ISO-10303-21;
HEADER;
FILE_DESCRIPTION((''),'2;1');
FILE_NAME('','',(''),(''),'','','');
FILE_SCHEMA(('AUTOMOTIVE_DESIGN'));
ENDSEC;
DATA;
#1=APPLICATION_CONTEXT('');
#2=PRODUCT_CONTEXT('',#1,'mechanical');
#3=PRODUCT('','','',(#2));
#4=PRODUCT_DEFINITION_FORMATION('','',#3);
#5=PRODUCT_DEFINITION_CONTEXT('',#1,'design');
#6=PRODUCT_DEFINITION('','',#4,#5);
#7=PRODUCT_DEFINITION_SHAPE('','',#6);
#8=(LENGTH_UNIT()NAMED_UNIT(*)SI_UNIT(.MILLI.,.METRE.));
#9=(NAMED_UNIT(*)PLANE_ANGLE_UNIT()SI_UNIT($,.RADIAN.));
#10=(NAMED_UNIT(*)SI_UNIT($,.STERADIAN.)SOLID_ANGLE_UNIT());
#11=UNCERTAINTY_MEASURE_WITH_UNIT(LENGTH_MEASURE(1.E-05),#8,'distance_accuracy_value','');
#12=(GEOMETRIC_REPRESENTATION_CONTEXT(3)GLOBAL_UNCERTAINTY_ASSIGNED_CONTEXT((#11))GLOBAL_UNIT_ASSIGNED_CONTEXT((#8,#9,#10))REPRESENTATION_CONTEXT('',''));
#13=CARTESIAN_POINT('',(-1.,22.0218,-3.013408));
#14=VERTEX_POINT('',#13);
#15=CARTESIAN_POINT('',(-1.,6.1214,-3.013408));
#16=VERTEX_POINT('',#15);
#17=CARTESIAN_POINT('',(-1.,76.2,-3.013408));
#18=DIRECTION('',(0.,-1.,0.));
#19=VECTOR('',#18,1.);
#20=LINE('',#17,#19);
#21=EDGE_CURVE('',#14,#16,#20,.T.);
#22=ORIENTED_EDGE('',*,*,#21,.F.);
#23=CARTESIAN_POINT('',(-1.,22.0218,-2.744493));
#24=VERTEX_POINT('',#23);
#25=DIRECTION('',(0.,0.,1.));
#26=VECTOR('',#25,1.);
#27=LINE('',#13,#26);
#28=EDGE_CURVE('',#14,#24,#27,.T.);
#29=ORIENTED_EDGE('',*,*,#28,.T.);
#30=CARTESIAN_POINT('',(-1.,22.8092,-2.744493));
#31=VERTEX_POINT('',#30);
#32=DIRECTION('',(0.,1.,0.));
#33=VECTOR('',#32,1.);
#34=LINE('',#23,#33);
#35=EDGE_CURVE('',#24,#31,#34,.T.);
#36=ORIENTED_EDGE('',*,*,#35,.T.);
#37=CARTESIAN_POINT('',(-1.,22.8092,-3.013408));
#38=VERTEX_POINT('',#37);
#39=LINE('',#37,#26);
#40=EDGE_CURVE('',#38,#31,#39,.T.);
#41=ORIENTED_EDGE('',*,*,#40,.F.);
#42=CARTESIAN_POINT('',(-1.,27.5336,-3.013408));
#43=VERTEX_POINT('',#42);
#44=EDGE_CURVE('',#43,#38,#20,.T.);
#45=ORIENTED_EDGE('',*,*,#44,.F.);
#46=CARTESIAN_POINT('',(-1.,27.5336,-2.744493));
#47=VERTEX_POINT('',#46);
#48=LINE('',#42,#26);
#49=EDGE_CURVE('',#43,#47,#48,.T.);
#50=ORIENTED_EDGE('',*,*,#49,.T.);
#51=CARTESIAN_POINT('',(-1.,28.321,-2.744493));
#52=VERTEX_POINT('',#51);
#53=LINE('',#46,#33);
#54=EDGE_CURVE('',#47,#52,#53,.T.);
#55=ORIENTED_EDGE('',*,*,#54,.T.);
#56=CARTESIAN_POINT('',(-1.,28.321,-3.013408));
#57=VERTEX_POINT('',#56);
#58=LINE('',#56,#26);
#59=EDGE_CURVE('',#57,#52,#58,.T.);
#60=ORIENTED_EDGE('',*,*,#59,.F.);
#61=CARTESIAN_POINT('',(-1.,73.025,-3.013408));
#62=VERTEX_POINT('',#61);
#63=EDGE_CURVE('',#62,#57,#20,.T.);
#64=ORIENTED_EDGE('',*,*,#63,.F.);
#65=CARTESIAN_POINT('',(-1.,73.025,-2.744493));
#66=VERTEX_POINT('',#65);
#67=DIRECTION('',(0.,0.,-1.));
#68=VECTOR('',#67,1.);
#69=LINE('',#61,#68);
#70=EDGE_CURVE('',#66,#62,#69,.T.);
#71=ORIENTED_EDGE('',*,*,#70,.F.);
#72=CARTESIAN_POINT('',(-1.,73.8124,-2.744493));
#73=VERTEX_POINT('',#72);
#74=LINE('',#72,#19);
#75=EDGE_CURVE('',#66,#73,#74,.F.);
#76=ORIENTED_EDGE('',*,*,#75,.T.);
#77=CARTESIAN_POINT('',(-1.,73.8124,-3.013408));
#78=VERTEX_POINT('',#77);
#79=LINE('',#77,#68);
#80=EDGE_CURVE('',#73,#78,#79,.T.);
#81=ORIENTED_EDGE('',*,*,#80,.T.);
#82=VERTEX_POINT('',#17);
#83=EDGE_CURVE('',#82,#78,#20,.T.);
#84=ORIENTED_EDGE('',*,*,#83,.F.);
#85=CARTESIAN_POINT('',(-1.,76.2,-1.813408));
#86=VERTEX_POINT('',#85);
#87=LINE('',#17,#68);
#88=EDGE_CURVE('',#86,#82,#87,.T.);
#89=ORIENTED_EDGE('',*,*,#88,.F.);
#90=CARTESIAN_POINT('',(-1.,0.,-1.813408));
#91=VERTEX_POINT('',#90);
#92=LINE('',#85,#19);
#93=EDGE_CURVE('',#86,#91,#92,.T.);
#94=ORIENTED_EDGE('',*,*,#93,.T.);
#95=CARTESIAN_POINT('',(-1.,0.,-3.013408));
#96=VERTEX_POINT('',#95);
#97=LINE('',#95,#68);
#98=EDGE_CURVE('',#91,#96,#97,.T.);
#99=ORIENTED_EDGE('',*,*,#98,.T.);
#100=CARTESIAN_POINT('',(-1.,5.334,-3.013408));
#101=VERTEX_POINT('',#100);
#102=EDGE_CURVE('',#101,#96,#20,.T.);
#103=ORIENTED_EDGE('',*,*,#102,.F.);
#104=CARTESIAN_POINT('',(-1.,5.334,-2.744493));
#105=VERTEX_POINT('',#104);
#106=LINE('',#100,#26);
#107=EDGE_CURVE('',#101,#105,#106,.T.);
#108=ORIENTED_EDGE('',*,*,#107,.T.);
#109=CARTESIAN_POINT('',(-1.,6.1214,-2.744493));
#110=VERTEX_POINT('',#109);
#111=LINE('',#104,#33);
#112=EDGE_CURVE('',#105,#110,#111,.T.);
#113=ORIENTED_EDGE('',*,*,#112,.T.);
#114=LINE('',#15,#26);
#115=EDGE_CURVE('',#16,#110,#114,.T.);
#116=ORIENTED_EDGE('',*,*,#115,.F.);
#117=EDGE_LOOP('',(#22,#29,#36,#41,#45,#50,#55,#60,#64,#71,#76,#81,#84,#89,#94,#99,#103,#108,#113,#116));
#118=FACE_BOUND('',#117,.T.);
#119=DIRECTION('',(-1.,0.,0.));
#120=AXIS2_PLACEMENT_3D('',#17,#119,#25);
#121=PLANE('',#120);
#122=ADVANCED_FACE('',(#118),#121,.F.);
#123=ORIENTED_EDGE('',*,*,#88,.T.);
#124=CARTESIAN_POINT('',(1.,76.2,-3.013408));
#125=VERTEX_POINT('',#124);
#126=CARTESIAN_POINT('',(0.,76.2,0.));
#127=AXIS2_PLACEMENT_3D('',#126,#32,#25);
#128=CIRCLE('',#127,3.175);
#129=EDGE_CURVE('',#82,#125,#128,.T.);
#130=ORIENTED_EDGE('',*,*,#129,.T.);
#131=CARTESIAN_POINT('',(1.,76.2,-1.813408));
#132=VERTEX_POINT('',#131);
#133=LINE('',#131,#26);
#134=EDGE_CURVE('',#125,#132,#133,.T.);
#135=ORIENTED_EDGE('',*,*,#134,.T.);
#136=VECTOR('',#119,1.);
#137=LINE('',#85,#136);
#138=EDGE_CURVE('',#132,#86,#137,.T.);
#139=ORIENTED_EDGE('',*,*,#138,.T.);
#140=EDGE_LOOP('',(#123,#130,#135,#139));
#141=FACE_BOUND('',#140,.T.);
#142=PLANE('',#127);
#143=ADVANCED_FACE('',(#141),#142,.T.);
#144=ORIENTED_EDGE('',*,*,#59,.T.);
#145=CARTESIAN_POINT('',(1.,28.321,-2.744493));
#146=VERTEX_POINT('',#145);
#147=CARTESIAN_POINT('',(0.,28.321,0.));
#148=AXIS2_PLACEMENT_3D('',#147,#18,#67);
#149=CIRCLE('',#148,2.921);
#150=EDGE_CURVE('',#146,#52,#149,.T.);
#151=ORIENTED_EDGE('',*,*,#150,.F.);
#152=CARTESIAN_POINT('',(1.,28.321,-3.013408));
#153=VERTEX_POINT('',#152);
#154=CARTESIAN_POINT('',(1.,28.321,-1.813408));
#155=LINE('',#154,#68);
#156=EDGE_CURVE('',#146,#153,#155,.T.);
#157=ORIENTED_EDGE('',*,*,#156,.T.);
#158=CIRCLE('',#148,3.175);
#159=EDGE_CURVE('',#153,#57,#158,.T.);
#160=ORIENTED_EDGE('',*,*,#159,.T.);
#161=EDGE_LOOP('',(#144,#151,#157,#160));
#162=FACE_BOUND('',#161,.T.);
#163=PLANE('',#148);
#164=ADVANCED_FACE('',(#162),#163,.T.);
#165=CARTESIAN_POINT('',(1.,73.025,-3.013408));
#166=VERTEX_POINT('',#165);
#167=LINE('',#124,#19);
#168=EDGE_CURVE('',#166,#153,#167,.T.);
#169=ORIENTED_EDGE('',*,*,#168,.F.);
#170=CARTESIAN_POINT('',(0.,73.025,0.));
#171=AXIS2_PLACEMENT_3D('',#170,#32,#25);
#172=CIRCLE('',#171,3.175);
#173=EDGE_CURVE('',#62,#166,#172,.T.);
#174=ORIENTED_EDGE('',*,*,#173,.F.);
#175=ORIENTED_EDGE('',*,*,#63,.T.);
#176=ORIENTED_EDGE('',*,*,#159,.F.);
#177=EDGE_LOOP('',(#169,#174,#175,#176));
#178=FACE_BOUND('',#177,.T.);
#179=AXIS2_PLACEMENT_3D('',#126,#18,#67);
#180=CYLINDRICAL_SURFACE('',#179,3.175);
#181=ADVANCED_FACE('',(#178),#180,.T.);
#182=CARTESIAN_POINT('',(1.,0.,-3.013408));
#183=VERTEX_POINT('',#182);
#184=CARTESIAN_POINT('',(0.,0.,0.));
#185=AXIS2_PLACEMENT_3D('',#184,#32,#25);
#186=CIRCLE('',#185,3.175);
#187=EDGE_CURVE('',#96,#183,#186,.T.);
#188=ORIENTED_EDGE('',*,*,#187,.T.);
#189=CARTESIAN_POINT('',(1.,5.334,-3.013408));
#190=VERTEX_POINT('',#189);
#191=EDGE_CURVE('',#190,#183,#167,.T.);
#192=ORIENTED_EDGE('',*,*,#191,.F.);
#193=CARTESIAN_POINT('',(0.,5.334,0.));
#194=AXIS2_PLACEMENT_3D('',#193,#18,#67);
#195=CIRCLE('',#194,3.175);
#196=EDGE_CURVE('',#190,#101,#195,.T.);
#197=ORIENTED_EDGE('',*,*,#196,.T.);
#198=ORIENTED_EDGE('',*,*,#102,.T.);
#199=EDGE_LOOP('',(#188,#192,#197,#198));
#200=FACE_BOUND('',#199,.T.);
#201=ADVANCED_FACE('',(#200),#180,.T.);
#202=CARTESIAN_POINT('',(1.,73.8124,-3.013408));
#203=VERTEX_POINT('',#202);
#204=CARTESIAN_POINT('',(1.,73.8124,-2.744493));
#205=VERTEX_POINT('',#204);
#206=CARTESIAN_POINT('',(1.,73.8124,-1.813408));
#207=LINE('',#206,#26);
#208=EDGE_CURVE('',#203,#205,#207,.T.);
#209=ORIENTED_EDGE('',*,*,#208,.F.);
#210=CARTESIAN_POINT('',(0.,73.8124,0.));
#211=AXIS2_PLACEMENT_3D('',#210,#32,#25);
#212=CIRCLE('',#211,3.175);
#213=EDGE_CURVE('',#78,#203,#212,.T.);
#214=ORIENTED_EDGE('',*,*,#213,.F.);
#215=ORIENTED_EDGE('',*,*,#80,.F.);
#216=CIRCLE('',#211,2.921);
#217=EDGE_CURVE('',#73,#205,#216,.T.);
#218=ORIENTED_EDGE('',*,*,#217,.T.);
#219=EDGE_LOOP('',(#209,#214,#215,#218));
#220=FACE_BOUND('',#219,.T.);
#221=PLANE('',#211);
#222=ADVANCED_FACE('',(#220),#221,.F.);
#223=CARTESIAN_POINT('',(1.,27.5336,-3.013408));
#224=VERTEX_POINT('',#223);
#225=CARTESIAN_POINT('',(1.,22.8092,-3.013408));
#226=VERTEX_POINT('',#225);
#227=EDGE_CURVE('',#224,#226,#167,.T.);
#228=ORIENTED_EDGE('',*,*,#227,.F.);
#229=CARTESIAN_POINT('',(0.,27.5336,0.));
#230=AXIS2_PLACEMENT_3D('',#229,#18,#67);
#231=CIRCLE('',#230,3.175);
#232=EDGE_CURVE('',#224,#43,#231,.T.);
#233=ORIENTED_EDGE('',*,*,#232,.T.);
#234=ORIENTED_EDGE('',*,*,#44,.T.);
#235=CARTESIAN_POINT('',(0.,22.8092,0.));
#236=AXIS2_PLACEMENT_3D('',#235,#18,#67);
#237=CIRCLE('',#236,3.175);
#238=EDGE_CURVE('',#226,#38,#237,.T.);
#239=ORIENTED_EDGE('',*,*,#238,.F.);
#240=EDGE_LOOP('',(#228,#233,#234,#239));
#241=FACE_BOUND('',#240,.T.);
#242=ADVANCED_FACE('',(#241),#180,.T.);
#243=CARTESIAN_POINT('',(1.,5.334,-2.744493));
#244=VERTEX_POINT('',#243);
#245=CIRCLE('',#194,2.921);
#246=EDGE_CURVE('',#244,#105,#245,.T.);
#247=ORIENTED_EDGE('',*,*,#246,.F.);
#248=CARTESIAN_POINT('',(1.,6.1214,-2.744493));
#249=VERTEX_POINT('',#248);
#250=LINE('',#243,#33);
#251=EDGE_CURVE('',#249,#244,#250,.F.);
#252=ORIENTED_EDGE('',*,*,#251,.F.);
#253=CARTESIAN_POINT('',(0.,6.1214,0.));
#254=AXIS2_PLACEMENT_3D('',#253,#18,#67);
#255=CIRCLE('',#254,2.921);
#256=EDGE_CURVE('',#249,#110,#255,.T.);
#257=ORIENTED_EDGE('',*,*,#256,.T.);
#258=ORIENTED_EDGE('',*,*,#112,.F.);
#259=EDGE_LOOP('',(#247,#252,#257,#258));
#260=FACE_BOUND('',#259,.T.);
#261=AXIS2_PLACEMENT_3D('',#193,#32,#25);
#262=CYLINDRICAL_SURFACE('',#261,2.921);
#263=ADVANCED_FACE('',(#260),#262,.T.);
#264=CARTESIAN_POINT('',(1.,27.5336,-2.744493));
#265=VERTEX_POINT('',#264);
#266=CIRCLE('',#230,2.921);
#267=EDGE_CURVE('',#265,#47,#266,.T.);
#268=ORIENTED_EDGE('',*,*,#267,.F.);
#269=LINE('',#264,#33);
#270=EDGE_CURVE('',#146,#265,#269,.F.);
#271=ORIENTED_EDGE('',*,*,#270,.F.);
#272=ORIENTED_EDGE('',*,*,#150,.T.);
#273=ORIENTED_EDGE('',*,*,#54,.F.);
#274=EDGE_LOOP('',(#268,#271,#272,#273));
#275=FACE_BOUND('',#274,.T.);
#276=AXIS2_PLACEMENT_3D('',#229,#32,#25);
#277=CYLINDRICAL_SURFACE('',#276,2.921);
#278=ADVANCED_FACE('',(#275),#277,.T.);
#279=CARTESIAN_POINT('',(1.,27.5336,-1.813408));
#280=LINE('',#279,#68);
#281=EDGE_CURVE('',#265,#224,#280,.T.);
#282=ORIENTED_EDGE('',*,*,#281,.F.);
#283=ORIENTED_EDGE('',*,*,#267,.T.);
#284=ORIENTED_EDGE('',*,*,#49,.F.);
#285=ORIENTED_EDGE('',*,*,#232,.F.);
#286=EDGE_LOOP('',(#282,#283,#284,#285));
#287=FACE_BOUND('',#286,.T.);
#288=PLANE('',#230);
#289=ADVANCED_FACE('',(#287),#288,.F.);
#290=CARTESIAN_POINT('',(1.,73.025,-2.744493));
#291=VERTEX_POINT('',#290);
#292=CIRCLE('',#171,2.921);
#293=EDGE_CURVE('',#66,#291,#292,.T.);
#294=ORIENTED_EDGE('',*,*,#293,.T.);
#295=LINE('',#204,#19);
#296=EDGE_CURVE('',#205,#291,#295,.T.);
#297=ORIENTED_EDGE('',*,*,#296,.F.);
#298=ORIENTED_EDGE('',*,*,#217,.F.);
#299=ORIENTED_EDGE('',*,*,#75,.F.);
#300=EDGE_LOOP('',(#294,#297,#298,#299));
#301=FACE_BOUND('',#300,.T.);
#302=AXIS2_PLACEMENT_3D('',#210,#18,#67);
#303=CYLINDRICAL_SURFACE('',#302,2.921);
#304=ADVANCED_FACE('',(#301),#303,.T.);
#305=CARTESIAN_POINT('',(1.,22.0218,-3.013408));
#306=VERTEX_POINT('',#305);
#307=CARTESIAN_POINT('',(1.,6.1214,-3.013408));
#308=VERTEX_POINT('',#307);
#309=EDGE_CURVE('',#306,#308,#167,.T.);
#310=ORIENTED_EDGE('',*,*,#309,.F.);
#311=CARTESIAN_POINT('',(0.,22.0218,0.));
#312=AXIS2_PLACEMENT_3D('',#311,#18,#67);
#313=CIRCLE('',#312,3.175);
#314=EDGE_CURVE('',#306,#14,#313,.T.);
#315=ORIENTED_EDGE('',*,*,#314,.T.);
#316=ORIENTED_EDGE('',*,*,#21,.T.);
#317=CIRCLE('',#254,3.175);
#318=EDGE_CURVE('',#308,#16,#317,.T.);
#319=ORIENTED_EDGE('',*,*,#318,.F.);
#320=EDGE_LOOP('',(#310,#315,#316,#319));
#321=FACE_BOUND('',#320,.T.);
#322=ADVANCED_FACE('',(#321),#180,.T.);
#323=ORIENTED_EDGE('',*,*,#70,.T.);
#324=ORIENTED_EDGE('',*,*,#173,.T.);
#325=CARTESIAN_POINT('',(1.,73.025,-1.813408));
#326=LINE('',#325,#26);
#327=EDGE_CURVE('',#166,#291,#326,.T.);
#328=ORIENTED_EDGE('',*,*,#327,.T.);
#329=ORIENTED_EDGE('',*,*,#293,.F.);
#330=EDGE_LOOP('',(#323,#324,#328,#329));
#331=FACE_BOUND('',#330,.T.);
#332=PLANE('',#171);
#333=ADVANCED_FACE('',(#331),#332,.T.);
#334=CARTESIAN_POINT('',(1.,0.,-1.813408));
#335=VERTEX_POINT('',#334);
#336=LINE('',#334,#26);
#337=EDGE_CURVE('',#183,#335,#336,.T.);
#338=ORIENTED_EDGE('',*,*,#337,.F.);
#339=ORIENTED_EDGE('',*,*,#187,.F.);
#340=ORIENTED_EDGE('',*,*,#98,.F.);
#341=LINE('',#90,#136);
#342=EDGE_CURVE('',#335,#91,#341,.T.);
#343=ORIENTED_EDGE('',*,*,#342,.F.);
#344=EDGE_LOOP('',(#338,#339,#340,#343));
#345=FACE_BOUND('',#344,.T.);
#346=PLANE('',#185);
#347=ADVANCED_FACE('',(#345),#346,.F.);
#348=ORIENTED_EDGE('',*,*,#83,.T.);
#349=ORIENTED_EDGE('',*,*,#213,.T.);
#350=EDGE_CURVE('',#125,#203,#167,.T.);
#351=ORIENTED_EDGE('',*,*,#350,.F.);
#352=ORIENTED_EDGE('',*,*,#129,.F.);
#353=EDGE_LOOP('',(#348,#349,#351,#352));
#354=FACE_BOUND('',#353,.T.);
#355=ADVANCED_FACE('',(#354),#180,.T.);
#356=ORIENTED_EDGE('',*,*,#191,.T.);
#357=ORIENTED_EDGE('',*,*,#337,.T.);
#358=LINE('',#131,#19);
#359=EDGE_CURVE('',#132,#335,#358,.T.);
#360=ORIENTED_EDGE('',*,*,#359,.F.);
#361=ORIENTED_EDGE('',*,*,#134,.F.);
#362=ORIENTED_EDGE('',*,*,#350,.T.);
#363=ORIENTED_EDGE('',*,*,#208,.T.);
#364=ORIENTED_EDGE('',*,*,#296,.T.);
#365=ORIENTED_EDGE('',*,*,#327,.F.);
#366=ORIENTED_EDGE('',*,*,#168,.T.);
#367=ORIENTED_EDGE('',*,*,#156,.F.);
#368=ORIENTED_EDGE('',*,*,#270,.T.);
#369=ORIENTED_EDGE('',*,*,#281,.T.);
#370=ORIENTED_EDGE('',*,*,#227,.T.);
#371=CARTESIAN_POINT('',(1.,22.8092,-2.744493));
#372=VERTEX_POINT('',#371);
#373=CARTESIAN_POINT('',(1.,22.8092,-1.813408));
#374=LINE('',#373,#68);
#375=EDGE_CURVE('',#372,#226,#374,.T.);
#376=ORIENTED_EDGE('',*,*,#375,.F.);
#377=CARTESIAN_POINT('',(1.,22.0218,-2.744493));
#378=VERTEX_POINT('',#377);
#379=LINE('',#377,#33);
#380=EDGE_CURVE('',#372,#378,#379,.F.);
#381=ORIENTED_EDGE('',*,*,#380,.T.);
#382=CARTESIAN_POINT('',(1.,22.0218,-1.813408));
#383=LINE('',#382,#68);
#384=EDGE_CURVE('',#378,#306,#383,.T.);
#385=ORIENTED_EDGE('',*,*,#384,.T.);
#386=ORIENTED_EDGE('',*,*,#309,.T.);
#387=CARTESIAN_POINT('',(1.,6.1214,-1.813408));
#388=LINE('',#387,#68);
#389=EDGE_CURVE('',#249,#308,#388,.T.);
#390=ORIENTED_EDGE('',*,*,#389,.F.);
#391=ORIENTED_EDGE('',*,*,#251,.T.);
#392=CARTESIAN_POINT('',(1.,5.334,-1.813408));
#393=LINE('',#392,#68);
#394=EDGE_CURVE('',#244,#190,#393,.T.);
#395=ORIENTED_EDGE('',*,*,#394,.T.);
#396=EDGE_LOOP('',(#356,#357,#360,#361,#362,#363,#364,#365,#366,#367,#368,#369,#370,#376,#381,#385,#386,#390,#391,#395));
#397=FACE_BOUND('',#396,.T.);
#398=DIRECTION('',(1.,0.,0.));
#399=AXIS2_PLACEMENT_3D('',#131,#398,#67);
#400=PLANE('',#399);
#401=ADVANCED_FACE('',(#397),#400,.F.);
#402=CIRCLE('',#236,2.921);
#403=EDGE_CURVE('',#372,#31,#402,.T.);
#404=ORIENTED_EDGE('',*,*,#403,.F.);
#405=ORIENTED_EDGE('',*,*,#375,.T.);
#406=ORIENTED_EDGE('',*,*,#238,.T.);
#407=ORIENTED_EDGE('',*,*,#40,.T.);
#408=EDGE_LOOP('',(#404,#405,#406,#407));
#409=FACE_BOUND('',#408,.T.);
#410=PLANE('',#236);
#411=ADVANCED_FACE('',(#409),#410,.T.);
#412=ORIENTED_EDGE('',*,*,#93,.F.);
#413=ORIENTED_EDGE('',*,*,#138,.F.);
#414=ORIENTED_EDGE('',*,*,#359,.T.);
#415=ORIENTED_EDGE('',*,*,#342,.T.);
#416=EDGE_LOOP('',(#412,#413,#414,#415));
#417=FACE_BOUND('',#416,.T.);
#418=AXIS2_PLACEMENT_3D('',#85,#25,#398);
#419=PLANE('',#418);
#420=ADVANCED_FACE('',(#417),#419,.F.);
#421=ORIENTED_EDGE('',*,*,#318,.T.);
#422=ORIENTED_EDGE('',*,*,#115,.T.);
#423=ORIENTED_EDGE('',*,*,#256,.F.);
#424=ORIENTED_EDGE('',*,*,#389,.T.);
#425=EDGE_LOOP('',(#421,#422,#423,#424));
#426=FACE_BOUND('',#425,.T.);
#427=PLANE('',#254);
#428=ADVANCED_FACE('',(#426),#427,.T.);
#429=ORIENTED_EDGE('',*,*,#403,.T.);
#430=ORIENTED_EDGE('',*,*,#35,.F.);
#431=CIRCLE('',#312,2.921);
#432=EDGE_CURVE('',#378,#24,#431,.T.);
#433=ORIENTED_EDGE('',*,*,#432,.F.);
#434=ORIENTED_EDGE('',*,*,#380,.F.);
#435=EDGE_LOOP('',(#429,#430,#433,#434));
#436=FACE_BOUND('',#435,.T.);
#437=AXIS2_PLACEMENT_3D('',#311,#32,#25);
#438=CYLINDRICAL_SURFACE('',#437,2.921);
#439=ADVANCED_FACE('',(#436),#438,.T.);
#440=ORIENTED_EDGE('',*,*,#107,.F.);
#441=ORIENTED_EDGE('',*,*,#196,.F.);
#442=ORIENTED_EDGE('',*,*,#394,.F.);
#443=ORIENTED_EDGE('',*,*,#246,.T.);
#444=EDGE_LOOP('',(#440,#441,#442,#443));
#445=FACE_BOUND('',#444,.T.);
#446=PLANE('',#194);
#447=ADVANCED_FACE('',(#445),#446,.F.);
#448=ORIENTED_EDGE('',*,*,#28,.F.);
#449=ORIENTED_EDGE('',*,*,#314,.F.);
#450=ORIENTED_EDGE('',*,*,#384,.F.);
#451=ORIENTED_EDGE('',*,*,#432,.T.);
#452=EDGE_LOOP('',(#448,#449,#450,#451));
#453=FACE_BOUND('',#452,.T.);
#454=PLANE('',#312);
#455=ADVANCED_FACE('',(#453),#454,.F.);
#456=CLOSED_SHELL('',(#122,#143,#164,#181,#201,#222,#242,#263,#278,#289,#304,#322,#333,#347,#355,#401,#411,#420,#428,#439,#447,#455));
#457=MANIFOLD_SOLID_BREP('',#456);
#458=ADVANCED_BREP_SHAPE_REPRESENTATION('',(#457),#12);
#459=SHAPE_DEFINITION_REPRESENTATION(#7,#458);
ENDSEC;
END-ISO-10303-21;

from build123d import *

# Parameters (mm, degrees)
BOSS_EXTRUDE1_DEPTH = 76.2
CUT_EXTRUDE1_START  = -3.175
SKETCH2_R           = 3.175
SKETCH2_R_2         = 2.921
CUT_EXTRUDE1_DEPTH  = 0.7874
CUT_EXTRUDE2_START  = -28.321
SKETCH3_R           = 3.175
SKETCH3_R_2         = 2.921
CUT_EXTRUDE2_DEPTH  = 0.7874
CUT_EXTRUDE3_START  = -22.8092
SKETCH3_6_R         = 3.175
SKETCH3_6_R_2       = 2.921
CUT_EXTRUDE3_DEPTH  = 0.7874
CUT_EXTRUDE4_START  = -6.1214
SKETCH3_7_R         = 3.175
SKETCH3_7_R_2       = 2.921
CUT_EXTRUDE4_DEPTH  = 0.7874


with BuildPart() as part:
    # Sketch1 → Boss-Extrude1 (new body)
    with BuildSketch(Plane(origin=(0, 0, 0), x_dir=(1, 0, 0), z_dir=(0, 1, 0))):
        with BuildLine():
            Line((-1, 3.01340754), (-1, 1.81340754))
            Line((-1, 1.81340754), (1, 1.81340754))
            Line((1, 1.81340754), (1, 3.01340754))
            ThreePointArc((1, 3.01340754), (0, -3.175), (-1, 3.01340754))
        make_face()
    extrude(amount=BOSS_EXTRUDE1_DEPTH)

    # Sketch2 → Cut-Extrude1 (cut)
    with BuildSketch(Plane(origin=(0, 76.2, 0), x_dir=(1, 0, 0), z_dir=(0, 1, 0)).offset(CUT_EXTRUDE1_START)):
        Circle(SKETCH2_R)
        Circle(SKETCH2_R_2, mode=Mode.SUBTRACT)
    extrude(amount=CUT_EXTRUDE1_DEPTH, mode=Mode.SUBTRACT)

    # Sketch3 → Cut-Extrude2 (cut)
    with BuildSketch(Plane(origin=(0, 0, 0), x_dir=(0, 0, -1), z_dir=(0, -1, 0)).offset(CUT_EXTRUDE2_START)):
        Circle(SKETCH3_R)
        Circle(SKETCH3_R_2, mode=Mode.SUBTRACT)
    extrude(amount=CUT_EXTRUDE2_DEPTH, mode=Mode.SUBTRACT)

    # Sketch3<6> → Cut-Extrude3 (cut)
    with BuildSketch(Plane(origin=(0, 0, 0), x_dir=(0, 0, -1), z_dir=(0, -1, 0)).offset(CUT_EXTRUDE3_START)):
        Circle(SKETCH3_6_R)
        Circle(SKETCH3_6_R_2, mode=Mode.SUBTRACT)
    extrude(amount=CUT_EXTRUDE3_DEPTH, mode=Mode.SUBTRACT)

    # Sketch3<7> → Cut-Extrude4 (cut)
    with BuildSketch(Plane(origin=(0, 0, 0), x_dir=(0, 0, -1), z_dir=(0, -1, 0)).offset(CUT_EXTRUDE4_START)):
        Circle(SKETCH3_7_R)
        Circle(SKETCH3_7_R_2, mode=Mode.SUBTRACT)
    extrude(amount=CUT_EXTRUDE4_DEPTH, mode=Mode.SUBTRACT)


solid = part.part
